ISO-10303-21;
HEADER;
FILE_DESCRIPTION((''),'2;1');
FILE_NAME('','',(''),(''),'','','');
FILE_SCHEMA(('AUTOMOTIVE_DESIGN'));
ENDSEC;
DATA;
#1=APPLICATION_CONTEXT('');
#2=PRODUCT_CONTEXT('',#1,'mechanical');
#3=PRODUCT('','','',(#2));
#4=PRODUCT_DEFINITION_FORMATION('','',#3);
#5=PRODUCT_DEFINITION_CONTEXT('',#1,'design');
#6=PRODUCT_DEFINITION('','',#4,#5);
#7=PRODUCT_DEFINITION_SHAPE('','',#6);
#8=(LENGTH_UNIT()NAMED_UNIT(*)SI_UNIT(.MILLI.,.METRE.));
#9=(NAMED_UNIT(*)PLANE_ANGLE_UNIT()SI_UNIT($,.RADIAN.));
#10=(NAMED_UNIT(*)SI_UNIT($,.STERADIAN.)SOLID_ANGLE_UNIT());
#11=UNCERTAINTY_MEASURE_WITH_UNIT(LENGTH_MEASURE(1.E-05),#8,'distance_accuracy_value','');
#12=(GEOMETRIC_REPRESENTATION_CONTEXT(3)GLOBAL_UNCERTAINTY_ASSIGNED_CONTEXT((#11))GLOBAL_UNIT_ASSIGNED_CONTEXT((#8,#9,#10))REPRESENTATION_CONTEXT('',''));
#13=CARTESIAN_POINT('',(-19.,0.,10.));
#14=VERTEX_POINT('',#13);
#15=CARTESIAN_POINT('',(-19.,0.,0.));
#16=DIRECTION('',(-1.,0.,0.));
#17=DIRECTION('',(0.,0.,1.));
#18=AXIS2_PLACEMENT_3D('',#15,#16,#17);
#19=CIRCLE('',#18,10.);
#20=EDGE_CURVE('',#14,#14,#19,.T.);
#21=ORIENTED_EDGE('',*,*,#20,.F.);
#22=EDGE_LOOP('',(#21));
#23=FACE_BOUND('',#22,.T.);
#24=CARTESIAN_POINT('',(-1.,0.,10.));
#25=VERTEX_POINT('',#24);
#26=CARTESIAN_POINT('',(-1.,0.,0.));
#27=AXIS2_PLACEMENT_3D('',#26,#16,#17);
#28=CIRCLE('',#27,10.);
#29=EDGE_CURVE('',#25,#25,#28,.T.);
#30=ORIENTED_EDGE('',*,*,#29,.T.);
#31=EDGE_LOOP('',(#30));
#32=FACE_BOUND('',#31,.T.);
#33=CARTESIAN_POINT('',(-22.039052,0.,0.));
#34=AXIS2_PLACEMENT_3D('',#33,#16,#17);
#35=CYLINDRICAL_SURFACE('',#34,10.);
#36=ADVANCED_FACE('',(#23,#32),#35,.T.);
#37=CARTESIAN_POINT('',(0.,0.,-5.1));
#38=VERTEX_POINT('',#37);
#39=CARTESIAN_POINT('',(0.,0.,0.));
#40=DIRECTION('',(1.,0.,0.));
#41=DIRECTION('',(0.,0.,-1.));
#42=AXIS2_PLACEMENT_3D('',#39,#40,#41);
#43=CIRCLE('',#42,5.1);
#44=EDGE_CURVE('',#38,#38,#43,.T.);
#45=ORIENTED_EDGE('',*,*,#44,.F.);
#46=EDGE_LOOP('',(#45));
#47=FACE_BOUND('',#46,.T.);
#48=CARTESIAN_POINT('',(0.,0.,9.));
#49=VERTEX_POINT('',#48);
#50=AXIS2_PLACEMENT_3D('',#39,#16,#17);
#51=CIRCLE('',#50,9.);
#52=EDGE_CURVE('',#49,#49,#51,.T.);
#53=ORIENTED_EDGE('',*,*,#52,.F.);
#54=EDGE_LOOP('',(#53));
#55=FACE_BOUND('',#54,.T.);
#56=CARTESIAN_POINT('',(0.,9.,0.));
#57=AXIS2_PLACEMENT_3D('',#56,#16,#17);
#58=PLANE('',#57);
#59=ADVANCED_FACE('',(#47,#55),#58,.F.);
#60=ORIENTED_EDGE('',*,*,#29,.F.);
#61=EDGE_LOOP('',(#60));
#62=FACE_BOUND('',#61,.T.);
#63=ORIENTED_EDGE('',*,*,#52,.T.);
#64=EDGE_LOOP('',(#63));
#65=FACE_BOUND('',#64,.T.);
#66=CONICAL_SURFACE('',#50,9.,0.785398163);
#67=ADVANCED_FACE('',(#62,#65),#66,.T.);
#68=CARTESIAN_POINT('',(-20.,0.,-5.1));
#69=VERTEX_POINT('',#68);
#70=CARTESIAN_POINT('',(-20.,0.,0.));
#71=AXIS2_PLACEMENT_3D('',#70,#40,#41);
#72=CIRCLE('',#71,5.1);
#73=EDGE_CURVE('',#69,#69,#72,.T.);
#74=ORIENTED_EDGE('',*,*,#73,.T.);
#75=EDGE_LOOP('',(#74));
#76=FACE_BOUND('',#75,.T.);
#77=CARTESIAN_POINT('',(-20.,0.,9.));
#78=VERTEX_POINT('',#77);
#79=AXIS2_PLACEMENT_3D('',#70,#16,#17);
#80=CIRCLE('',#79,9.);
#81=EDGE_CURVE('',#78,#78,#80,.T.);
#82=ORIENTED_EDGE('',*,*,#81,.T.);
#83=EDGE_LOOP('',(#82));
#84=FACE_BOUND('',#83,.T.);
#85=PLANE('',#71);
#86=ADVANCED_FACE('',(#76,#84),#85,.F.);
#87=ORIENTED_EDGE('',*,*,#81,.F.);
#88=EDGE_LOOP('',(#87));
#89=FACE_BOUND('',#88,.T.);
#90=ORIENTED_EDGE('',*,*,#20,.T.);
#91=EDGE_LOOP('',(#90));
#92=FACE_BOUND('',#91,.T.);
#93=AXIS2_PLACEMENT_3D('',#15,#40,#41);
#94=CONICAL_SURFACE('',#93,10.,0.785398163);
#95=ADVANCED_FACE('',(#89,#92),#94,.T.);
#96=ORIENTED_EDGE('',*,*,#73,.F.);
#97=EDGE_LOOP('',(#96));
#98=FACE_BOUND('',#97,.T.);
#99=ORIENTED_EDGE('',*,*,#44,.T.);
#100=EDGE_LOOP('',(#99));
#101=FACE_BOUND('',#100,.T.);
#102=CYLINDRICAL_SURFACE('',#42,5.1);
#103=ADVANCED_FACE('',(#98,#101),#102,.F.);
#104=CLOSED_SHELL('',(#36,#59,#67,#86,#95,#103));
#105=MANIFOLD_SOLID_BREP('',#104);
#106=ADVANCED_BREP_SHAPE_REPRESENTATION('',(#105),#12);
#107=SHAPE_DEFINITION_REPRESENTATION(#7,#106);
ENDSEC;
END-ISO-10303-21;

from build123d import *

# Parameters (mm, degrees)
TROU_TARAUD_M12X1_751_D = 10.2


with BuildPart() as part:
    # Esquisse1 → Base-Révolution (revolve)
    with BuildSketch(Plane.XY, mode=Mode.PRIVATE) as base_r_volution_sk:
        Polygon((0, 0), (-20, 0), (-20, 9), (-19, 10), (-1, 10), (0, 9), align=None)
    revolve(base_r_volution_sk.sketch.rotate(Axis((-22.039051672, 0, 0), (1, 0, 0)), 90), axis=Axis((-22.039051672, 0, 0), (1, 0, 0)))

    # Trou taraudé M12x1.751 (through all)
    with Locations(Plane(origin=(0, 0, 0), x_dir=(0, 0, -1), z_dir=(1, 0, 0))):
        with Locations((0, 0)):
            Hole(TROU_TARAUD_M12X1_751_D / 2)


solid = part.part
